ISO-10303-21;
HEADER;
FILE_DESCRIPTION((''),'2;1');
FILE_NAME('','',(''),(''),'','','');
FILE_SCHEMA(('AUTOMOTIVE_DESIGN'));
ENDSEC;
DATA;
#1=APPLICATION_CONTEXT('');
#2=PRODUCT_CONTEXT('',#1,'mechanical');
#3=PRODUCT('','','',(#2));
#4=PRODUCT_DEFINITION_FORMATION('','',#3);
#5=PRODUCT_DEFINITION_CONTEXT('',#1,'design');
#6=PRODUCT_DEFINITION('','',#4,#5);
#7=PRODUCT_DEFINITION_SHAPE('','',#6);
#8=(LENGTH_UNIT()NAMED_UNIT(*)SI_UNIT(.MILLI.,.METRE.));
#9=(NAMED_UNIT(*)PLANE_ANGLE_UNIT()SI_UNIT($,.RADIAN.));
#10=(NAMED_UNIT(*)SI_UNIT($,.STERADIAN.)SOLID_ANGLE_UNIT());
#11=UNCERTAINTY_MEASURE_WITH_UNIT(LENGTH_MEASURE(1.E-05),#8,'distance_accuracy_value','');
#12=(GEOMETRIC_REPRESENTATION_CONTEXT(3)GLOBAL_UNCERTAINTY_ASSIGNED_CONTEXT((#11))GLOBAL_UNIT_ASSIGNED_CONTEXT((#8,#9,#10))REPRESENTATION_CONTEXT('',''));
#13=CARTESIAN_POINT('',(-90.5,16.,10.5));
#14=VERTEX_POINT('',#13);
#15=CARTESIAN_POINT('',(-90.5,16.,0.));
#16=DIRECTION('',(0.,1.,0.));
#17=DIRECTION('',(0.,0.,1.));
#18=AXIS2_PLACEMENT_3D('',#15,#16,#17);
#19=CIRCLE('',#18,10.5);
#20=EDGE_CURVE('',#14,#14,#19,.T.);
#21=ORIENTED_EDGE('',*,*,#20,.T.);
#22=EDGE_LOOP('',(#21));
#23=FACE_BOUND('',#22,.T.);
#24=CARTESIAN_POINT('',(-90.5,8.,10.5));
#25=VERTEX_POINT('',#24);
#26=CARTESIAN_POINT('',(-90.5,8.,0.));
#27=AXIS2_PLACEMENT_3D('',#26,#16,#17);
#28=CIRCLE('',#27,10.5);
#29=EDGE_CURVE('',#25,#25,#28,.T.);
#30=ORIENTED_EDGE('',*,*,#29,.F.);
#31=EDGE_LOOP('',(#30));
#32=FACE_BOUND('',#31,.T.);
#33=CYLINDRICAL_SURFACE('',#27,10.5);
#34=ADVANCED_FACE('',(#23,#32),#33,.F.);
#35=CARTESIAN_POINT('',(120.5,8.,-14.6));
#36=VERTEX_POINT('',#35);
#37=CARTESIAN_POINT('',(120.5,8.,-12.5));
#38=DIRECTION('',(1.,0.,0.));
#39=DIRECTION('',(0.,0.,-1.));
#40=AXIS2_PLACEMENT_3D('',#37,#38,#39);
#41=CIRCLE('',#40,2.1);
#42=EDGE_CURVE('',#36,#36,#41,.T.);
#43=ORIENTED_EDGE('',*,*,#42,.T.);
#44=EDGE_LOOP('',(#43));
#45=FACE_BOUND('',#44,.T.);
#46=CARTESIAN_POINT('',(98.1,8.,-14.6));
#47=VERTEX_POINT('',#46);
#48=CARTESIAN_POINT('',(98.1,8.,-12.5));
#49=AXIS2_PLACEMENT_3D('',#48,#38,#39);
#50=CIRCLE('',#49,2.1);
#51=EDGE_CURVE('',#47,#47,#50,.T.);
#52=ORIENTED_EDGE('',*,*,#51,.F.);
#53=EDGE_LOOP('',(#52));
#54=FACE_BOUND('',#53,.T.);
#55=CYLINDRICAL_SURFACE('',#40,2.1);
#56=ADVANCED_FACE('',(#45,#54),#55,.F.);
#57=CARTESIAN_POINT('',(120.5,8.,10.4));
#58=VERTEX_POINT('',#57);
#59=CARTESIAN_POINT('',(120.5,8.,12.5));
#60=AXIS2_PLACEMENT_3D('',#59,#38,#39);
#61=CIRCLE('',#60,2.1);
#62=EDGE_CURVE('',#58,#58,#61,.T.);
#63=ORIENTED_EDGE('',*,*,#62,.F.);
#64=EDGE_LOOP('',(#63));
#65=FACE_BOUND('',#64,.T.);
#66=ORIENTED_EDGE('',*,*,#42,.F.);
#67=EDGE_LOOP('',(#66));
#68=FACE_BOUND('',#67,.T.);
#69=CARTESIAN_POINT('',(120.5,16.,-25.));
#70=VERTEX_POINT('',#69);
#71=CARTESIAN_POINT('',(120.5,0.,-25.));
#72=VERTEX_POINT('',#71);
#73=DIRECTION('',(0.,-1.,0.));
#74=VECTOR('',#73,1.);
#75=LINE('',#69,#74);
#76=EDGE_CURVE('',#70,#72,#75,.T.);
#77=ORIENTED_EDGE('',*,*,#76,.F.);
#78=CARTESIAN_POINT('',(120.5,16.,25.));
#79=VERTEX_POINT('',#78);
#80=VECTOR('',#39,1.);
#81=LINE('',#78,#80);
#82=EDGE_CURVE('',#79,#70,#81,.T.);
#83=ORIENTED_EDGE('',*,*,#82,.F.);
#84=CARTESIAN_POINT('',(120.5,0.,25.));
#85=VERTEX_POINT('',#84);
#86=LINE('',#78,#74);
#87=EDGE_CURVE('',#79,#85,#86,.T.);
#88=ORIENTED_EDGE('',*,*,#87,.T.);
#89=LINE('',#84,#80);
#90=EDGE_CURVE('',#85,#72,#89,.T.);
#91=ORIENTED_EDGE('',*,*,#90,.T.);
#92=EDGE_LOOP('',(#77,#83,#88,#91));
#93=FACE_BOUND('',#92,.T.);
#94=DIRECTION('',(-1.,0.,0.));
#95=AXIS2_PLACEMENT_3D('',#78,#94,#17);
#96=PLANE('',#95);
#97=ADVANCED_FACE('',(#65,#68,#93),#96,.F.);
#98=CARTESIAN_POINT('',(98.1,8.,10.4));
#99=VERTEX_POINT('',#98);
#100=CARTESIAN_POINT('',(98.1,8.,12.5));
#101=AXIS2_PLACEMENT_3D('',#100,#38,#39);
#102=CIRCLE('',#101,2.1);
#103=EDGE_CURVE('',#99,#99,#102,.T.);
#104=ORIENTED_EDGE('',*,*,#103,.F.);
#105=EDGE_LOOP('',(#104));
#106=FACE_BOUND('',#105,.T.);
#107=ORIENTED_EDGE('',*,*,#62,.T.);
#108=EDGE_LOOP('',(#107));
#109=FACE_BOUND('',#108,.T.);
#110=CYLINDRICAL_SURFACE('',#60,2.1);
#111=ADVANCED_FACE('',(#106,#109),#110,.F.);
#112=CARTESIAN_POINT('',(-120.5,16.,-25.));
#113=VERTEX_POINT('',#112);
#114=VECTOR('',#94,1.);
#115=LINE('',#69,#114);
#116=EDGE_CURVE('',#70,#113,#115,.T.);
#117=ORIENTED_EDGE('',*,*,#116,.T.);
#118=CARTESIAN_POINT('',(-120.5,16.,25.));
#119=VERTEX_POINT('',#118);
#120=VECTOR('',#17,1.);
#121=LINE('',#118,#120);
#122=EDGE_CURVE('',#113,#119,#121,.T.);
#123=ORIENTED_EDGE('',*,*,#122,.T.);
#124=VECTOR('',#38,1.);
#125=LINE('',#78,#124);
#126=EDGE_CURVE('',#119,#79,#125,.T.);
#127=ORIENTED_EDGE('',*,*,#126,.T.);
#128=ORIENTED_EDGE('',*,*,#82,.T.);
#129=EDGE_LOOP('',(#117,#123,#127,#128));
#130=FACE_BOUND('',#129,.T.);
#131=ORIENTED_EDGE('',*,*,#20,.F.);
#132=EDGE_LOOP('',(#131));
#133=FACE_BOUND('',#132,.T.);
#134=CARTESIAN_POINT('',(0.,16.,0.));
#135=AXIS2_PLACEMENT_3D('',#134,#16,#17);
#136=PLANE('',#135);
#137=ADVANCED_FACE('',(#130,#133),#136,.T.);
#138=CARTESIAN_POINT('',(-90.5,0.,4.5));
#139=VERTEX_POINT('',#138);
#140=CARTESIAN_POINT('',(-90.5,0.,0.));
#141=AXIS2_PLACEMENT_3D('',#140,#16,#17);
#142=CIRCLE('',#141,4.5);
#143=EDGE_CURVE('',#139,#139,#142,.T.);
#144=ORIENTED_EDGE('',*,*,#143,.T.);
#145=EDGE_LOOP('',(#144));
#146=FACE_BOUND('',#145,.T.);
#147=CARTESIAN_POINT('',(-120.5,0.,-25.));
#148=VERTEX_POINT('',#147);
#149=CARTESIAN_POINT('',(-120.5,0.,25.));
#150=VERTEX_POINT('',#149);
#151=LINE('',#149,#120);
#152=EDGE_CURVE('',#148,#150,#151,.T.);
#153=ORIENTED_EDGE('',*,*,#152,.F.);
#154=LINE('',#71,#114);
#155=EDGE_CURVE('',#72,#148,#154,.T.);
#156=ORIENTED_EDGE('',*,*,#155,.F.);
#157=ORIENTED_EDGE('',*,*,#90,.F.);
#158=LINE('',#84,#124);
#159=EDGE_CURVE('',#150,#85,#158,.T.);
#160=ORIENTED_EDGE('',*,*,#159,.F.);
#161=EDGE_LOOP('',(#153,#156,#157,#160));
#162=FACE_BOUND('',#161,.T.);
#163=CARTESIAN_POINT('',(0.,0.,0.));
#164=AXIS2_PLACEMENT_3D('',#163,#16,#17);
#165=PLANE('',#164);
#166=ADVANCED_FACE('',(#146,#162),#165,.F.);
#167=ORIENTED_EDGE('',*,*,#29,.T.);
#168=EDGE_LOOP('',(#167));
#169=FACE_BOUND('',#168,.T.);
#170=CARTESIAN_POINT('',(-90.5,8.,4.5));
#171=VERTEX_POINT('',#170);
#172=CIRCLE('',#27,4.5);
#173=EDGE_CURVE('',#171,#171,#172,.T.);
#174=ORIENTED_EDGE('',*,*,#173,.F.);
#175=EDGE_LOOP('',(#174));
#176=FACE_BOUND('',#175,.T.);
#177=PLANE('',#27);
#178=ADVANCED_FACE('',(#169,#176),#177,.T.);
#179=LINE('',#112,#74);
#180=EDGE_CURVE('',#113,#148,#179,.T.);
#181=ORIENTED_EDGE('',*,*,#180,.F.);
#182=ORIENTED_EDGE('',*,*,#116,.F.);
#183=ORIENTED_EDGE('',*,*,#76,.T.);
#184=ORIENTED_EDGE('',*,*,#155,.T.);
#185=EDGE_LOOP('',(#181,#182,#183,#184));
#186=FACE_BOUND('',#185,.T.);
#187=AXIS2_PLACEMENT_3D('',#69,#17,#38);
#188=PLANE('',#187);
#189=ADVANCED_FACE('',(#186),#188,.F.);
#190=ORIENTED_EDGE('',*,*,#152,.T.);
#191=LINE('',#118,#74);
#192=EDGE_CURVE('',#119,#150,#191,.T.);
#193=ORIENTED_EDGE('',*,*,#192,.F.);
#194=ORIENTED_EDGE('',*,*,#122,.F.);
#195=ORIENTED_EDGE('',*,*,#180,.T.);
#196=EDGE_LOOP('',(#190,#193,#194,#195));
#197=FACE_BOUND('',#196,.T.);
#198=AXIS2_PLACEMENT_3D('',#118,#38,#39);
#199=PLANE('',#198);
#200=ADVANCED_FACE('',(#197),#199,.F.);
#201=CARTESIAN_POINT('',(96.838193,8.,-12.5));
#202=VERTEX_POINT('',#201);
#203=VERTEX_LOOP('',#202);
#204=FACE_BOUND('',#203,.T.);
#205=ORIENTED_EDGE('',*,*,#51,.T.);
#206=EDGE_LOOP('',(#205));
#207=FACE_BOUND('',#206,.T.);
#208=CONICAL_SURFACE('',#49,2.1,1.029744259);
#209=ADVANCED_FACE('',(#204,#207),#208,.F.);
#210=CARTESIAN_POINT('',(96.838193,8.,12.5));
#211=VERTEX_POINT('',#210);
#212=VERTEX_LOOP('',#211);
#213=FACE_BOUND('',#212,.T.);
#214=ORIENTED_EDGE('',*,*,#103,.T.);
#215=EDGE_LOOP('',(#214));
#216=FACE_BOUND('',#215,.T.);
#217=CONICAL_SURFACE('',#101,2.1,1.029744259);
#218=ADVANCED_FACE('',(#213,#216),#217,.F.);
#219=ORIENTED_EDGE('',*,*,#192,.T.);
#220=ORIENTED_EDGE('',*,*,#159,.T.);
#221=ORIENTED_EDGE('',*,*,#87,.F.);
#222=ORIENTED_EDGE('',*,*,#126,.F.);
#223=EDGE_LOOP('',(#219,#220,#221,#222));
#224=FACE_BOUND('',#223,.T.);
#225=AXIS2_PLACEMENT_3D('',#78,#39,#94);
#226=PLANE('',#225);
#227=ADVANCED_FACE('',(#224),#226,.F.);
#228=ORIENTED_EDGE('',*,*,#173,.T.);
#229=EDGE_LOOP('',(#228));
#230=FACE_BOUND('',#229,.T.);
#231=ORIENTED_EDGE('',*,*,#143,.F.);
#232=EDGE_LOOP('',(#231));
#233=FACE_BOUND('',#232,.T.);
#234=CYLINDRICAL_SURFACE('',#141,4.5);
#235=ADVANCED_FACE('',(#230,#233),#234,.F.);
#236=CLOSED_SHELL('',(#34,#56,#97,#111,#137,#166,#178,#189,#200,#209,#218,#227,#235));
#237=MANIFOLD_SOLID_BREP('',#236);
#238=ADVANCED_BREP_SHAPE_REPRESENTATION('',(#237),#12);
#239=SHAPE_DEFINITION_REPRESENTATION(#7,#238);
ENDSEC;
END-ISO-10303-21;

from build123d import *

# Parameters (mm, degrees)
SKETCH2_W             = 241
SKETCH2_H             = 50
BOSS_EXTRUDE1_DEPTH   = 16
SKETCH3_R             = 10.5
CUT_EXTRUDE1_DEPTH    = 8
SKETCH6_R             = 4.5
CUT_EXTRUDE2_DEPTH    = 124.325788057
M5_TAPPED_HOLE4_D     = 4.2
M5_TAPPED_HOLE4_DEPTH = 22.4
M5_TAPPED_HOLE4_TIP   = 1.2618073


with BuildPart() as part:
    # Sketch2 → Boss-Extrude1 (new body)
    with BuildSketch(Plane(origin=(0, 0, 0), x_dir=(1, 0, 0), z_dir=(0, 1, 0))):
        Rectangle(SKETCH2_W, SKETCH2_H)
    extrude(amount=BOSS_EXTRUDE1_DEPTH)

    # Sketch3 → Cut-Extrude1 (cut)
    with BuildSketch(Plane(origin=(0, 16, 0), x_dir=(1, 0, 0), z_dir=(0, 1, 0))):
        with Locations(Location((-90.5, 0, 0), (0, 0, 270))):
            Circle(SKETCH3_R)
    extrude(amount=-CUT_EXTRUDE1_DEPTH, mode=Mode.SUBTRACT)

    # Sketch6 → Cut-Extrude2 (cut, through all)
    with BuildSketch(Plane(origin=(0, 8, 0), x_dir=(1, 0, 0), z_dir=(0, 1, 0))):
        with Locations(Location((-90.5, 0, 0), (0, 0, 270))):
            Circle(SKETCH6_R)
    extrude(amount=-CUT_EXTRUDE2_DEPTH, mode=Mode.SUBTRACT)

    # M5 Tapped Hole4
    with Locations(Plane(origin=(120.5, 0, 0), x_dir=(0, 0, -1), z_dir=(1, 0, 0))):
        with Locations((-12.5, 8), (12.5, 8)):
            Hole(M5_TAPPED_HOLE4_D / 2, depth=M5_TAPPED_HOLE4_DEPTH)
            with Locations((0, 0, -(M5_TAPPED_HOLE4_DEPTH + M5_TAPPED_HOLE4_TIP / 2))):  # 118° drill point
                Cone(0, M5_TAPPED_HOLE4_D / 2, M5_TAPPED_HOLE4_TIP, mode=Mode.SUBTRACT)


solid = part.part
